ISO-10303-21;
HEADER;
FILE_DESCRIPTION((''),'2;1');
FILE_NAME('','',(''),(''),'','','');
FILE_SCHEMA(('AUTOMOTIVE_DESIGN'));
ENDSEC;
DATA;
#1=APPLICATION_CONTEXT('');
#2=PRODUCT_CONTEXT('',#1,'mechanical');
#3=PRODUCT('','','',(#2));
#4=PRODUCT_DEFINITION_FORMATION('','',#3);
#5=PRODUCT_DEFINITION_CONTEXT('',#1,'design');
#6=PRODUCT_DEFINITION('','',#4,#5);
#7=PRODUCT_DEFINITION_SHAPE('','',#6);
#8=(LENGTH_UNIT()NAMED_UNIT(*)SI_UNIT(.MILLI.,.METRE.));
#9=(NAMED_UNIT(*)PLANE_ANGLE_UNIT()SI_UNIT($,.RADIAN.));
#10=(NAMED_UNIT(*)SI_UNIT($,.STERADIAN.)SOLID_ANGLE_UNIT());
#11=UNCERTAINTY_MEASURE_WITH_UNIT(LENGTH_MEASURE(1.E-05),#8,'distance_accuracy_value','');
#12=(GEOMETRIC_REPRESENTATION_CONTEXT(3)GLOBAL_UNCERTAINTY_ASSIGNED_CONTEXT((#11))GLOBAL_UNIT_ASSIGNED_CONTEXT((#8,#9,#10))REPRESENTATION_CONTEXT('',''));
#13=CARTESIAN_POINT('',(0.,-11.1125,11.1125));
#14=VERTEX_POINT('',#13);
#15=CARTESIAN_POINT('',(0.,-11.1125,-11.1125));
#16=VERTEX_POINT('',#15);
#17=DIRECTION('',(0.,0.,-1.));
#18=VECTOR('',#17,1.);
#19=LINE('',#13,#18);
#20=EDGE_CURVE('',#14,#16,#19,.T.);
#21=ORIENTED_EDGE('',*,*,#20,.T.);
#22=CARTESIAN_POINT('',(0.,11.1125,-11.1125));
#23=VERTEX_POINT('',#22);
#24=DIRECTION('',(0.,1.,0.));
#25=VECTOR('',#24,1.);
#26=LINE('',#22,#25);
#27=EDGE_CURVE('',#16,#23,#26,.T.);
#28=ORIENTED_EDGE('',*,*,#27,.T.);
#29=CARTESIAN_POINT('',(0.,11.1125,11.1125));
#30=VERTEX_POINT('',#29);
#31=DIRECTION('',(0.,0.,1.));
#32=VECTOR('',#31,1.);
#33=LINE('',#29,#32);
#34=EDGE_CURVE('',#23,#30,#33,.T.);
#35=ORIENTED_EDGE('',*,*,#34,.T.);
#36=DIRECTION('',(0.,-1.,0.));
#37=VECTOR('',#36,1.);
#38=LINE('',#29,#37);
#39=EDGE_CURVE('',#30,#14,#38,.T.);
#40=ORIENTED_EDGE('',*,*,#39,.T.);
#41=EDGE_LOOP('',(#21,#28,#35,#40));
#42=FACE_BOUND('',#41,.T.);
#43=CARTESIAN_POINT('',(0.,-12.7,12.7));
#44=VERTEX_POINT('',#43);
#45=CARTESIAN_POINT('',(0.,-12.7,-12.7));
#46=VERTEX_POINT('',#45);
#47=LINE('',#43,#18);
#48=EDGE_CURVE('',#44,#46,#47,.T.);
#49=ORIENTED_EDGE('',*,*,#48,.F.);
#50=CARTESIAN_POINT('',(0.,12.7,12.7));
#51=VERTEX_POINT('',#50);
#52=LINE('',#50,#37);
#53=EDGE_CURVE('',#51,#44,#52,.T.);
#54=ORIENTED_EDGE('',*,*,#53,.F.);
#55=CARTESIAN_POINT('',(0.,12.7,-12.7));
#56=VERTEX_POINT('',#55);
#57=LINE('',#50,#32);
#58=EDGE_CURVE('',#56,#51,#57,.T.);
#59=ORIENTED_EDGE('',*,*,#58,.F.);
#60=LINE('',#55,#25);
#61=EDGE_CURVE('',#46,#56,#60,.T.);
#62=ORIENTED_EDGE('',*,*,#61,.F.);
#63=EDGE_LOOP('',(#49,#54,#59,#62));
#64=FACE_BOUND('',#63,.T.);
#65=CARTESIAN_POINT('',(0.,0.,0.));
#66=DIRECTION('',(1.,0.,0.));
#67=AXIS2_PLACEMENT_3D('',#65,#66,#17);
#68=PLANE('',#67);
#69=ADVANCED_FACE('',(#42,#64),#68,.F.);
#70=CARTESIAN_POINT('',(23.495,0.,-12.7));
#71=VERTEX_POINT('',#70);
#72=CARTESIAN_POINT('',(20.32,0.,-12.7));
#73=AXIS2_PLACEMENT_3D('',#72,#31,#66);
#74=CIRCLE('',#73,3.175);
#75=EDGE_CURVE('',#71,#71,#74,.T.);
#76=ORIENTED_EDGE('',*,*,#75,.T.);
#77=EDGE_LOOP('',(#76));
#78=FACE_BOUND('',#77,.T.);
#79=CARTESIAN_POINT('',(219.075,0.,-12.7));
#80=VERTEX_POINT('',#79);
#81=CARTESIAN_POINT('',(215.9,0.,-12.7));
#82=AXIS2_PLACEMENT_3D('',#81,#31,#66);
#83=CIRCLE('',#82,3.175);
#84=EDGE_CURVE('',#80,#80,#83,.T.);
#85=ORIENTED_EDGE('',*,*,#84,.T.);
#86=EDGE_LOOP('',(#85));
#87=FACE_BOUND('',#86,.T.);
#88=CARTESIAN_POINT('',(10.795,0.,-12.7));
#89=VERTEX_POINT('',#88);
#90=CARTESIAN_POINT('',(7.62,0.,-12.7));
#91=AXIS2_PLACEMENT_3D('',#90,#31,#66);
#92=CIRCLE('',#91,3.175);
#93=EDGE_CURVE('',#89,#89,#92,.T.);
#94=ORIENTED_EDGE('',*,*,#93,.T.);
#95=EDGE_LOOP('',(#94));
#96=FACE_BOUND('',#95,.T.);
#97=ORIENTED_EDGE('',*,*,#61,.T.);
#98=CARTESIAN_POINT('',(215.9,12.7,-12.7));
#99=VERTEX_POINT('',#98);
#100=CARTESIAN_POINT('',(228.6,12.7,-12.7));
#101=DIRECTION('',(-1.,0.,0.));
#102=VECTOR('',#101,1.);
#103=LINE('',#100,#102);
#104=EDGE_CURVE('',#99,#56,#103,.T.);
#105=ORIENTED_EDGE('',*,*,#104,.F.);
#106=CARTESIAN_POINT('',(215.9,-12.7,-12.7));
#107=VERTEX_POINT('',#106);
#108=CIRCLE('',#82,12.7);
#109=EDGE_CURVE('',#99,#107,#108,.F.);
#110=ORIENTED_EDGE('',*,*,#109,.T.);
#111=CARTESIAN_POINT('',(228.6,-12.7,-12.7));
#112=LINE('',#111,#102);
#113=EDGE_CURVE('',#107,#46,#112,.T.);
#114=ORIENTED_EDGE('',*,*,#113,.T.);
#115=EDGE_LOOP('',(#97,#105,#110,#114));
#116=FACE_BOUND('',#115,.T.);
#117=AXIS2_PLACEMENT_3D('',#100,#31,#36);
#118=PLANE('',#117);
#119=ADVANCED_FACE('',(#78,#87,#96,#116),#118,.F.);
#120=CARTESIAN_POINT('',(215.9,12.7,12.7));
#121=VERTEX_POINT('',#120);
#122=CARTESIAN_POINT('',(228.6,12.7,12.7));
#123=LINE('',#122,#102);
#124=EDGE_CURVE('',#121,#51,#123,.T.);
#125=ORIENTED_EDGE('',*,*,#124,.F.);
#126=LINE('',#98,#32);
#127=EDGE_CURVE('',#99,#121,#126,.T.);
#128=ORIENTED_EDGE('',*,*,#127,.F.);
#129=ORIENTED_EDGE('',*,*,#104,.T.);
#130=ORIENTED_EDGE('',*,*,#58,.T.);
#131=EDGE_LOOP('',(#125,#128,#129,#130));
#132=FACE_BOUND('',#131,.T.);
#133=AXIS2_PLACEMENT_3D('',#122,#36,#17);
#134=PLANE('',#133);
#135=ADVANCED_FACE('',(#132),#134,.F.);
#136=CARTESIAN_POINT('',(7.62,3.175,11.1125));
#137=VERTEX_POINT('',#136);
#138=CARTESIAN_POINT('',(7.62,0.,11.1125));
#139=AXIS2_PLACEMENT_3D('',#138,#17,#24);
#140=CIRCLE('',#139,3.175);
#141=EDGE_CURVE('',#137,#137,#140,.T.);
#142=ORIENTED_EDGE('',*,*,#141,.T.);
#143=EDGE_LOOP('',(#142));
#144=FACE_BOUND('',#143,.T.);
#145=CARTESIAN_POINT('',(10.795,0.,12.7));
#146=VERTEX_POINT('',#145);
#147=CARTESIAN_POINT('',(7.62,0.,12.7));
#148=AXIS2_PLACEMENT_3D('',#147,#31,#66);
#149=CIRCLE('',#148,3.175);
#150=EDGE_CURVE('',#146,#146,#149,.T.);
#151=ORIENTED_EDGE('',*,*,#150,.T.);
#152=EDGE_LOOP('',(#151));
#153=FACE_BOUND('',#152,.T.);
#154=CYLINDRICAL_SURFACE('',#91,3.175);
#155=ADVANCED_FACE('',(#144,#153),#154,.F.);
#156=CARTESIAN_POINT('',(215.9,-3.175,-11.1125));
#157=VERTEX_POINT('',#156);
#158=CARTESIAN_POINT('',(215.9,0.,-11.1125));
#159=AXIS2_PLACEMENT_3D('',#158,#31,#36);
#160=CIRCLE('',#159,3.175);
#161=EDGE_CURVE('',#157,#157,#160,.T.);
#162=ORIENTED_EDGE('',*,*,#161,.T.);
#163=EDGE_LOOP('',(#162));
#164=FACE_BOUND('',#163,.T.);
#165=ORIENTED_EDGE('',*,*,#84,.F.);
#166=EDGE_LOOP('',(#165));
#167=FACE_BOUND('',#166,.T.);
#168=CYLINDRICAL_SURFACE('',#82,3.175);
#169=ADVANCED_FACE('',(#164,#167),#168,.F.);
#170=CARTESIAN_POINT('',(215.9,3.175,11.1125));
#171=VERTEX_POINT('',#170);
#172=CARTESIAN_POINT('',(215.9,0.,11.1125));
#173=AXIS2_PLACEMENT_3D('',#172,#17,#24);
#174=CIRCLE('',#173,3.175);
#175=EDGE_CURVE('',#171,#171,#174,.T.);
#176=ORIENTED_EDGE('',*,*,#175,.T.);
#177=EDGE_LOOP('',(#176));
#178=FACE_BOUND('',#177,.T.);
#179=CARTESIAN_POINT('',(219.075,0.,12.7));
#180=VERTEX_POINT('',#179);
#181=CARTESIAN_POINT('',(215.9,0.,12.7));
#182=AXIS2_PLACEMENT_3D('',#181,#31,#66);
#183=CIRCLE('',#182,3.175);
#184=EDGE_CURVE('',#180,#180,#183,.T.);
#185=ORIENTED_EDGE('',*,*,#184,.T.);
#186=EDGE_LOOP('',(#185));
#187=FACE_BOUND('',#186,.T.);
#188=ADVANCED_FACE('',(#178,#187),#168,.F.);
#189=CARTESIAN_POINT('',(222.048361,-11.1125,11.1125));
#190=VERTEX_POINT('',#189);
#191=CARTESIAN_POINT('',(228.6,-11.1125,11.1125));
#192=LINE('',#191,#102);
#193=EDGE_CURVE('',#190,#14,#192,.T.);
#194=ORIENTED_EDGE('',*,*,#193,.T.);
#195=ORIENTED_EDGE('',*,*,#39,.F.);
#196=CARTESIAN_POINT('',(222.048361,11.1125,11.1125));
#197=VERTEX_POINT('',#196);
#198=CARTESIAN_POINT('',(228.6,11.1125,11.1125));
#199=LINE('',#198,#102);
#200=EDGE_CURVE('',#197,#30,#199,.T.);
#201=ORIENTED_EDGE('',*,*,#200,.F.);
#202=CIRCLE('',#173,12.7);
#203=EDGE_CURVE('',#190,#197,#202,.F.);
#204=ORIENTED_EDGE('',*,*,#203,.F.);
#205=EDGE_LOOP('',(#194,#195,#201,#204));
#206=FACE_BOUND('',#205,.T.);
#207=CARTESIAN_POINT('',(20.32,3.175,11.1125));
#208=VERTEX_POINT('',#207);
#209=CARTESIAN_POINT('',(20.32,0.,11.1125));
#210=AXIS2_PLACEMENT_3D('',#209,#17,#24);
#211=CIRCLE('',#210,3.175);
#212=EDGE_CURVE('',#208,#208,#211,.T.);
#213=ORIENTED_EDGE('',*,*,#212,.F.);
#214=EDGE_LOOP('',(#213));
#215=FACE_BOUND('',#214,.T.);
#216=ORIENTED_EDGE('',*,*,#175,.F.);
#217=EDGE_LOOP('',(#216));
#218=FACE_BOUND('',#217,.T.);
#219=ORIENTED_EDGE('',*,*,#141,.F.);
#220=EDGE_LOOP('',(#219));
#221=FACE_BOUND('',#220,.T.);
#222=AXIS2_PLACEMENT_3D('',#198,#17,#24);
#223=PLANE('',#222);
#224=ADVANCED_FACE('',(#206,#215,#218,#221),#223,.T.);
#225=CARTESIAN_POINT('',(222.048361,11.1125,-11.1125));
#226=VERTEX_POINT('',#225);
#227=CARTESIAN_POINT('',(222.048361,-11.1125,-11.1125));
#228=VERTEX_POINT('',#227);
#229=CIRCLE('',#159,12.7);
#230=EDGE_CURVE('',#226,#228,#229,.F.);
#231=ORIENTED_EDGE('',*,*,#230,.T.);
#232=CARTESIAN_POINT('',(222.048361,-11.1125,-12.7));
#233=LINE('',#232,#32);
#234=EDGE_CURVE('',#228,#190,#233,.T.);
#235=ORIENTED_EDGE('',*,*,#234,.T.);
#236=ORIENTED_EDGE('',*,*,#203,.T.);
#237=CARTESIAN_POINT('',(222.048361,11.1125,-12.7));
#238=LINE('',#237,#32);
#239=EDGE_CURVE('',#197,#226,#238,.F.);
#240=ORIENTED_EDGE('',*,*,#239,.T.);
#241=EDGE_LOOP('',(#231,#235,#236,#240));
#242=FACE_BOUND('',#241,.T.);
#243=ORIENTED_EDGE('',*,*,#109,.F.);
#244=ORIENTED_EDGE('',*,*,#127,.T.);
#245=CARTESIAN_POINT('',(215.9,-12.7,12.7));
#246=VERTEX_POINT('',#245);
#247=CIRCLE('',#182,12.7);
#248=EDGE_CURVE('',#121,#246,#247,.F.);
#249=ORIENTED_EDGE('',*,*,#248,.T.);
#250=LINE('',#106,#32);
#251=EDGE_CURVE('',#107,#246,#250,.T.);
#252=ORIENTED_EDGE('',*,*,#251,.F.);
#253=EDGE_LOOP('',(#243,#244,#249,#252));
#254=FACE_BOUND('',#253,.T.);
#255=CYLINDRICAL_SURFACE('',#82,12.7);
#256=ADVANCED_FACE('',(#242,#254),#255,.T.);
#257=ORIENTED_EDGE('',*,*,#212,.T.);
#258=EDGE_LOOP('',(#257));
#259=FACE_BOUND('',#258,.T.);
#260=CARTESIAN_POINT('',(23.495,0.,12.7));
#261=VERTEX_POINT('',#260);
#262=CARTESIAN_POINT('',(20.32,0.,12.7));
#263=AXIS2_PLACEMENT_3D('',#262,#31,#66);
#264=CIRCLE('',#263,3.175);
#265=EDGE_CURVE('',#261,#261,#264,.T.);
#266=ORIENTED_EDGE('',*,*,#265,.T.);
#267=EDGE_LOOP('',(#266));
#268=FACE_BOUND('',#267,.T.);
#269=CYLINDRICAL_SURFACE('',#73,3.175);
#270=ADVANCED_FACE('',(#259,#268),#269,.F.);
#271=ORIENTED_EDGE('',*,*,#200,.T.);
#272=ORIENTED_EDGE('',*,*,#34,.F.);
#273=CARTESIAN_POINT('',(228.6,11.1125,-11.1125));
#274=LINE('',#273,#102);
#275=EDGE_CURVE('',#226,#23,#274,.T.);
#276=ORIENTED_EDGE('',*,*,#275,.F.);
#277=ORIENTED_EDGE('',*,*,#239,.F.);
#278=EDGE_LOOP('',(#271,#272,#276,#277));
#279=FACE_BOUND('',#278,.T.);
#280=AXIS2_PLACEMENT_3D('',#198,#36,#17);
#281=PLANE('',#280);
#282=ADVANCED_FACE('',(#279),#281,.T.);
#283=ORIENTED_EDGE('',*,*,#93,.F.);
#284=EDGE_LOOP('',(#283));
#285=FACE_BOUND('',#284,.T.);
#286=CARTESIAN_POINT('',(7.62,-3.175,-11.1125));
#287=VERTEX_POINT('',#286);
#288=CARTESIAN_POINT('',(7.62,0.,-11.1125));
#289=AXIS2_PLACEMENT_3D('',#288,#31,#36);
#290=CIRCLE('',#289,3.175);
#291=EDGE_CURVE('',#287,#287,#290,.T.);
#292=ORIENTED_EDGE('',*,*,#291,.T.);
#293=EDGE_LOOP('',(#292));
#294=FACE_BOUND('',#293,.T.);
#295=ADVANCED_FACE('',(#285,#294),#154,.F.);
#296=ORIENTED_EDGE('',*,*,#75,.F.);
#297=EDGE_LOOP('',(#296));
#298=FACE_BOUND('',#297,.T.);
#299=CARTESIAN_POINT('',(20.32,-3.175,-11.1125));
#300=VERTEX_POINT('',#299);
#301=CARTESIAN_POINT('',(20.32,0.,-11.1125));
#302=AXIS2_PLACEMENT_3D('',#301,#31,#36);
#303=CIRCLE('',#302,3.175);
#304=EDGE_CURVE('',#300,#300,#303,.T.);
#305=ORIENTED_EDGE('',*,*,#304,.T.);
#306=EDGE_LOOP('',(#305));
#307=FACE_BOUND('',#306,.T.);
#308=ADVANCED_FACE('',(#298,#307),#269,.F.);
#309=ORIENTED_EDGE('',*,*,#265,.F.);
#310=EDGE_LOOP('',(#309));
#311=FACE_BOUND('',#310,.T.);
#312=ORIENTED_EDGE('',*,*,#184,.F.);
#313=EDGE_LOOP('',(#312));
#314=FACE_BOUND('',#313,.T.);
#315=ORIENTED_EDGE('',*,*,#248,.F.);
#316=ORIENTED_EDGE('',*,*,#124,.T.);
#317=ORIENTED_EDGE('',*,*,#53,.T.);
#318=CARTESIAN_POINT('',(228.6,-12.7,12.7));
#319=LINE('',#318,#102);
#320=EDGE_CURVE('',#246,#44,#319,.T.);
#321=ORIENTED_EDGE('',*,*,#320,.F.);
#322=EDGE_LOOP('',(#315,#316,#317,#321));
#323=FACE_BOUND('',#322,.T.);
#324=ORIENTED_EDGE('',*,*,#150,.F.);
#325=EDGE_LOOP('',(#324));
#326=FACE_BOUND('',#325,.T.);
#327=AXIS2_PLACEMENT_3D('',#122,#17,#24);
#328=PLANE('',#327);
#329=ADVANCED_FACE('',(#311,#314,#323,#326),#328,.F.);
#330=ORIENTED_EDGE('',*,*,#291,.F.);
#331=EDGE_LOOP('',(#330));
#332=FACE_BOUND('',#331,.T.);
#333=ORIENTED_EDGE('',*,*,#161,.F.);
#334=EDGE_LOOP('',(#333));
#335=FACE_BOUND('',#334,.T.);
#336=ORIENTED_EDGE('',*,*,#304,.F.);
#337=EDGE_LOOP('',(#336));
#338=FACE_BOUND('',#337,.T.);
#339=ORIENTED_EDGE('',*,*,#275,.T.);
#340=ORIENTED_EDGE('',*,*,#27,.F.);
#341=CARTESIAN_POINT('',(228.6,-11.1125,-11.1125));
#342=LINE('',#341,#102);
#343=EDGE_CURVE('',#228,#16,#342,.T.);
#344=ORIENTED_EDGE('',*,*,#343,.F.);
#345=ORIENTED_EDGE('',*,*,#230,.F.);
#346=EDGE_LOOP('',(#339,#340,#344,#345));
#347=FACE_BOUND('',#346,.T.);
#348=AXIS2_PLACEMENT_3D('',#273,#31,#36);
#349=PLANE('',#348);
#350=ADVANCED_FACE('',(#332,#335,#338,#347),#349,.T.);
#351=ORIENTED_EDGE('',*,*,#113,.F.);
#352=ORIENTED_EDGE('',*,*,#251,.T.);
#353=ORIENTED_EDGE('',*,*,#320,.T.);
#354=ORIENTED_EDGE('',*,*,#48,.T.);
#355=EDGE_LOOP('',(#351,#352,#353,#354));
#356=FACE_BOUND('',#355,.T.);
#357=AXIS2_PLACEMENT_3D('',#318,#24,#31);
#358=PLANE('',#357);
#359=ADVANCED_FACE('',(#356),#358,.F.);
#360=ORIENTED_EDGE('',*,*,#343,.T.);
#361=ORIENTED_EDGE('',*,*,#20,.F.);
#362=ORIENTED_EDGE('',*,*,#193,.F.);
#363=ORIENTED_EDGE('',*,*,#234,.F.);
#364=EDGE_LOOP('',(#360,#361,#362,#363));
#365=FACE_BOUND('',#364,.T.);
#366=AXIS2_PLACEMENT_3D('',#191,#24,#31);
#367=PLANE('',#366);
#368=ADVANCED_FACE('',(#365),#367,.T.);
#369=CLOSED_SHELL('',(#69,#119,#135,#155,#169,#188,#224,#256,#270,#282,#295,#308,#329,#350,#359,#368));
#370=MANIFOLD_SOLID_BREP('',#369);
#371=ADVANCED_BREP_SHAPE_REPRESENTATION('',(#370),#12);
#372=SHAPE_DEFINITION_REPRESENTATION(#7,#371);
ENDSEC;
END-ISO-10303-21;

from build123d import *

# Parameters (mm, degrees)
SKETCH1_W           = 25.4
SKETCH1_H           = 25.4
SKETCH1_W_2         = 22.225
SKETCH1_H_2         = 22.225
BOSS_EXTRUDE1_DEPTH = 228.6
SKETCH2_R           = 3.175
CUT_EXTRUDE1_DEPTH  = 26.4
CUT_EXTRUDE2_DEPTH  = 26.4


with BuildPart() as part:
    # Sketch1 → Boss-Extrude1 (new body)
    with BuildSketch(Plane(origin=(0, 0, 0), x_dir=(0, 0, -1), z_dir=(1, 0, 0))):
        Rectangle(SKETCH1_W, SKETCH1_H)
        Rectangle(SKETCH1_W_2, SKETCH1_H_2, mode=Mode.SUBTRACT)
    extrude(amount=BOSS_EXTRUDE1_DEPTH)

    # Sketch2 → Cut-Extrude1 (cut, through all)
    with BuildSketch(Plane.XY.offset(12.7)):
        with Locations((215.9, 0)):
            Circle(SKETCH2_R)
        with Locations((7.62, 0)):
            Circle(SKETCH2_R)
        with Locations((20.32, 0)):
            Circle(SKETCH2_R)
    extrude(amount=-CUT_EXTRUDE1_DEPTH, mode=Mode.SUBTRACT)

    # Sketch3 → Cut-Extrude2 (cut, through all)
    with BuildSketch(Plane.XY.offset(12.7)):
        with BuildLine():
            Line((228.6, 12.7), (215.9, 12.7))
            ThreePointArc((215.9, 12.7), (224.880256121, 8.980256121), (228.6, 0))
            Line((228.6, 0), (228.6, 12.7))
        make_face()
        with BuildLine():
            Line((228.6, -12.7), (228.6, 0))
            ThreePointArc((228.6, 0), (224.880256121, -8.980256121), (215.9, -12.7))
            Line((215.9, -12.7), (228.6, -12.7))
        make_face()
    extrude(amount=-CUT_EXTRUDE2_DEPTH, mode=Mode.SUBTRACT)


solid = part.part
